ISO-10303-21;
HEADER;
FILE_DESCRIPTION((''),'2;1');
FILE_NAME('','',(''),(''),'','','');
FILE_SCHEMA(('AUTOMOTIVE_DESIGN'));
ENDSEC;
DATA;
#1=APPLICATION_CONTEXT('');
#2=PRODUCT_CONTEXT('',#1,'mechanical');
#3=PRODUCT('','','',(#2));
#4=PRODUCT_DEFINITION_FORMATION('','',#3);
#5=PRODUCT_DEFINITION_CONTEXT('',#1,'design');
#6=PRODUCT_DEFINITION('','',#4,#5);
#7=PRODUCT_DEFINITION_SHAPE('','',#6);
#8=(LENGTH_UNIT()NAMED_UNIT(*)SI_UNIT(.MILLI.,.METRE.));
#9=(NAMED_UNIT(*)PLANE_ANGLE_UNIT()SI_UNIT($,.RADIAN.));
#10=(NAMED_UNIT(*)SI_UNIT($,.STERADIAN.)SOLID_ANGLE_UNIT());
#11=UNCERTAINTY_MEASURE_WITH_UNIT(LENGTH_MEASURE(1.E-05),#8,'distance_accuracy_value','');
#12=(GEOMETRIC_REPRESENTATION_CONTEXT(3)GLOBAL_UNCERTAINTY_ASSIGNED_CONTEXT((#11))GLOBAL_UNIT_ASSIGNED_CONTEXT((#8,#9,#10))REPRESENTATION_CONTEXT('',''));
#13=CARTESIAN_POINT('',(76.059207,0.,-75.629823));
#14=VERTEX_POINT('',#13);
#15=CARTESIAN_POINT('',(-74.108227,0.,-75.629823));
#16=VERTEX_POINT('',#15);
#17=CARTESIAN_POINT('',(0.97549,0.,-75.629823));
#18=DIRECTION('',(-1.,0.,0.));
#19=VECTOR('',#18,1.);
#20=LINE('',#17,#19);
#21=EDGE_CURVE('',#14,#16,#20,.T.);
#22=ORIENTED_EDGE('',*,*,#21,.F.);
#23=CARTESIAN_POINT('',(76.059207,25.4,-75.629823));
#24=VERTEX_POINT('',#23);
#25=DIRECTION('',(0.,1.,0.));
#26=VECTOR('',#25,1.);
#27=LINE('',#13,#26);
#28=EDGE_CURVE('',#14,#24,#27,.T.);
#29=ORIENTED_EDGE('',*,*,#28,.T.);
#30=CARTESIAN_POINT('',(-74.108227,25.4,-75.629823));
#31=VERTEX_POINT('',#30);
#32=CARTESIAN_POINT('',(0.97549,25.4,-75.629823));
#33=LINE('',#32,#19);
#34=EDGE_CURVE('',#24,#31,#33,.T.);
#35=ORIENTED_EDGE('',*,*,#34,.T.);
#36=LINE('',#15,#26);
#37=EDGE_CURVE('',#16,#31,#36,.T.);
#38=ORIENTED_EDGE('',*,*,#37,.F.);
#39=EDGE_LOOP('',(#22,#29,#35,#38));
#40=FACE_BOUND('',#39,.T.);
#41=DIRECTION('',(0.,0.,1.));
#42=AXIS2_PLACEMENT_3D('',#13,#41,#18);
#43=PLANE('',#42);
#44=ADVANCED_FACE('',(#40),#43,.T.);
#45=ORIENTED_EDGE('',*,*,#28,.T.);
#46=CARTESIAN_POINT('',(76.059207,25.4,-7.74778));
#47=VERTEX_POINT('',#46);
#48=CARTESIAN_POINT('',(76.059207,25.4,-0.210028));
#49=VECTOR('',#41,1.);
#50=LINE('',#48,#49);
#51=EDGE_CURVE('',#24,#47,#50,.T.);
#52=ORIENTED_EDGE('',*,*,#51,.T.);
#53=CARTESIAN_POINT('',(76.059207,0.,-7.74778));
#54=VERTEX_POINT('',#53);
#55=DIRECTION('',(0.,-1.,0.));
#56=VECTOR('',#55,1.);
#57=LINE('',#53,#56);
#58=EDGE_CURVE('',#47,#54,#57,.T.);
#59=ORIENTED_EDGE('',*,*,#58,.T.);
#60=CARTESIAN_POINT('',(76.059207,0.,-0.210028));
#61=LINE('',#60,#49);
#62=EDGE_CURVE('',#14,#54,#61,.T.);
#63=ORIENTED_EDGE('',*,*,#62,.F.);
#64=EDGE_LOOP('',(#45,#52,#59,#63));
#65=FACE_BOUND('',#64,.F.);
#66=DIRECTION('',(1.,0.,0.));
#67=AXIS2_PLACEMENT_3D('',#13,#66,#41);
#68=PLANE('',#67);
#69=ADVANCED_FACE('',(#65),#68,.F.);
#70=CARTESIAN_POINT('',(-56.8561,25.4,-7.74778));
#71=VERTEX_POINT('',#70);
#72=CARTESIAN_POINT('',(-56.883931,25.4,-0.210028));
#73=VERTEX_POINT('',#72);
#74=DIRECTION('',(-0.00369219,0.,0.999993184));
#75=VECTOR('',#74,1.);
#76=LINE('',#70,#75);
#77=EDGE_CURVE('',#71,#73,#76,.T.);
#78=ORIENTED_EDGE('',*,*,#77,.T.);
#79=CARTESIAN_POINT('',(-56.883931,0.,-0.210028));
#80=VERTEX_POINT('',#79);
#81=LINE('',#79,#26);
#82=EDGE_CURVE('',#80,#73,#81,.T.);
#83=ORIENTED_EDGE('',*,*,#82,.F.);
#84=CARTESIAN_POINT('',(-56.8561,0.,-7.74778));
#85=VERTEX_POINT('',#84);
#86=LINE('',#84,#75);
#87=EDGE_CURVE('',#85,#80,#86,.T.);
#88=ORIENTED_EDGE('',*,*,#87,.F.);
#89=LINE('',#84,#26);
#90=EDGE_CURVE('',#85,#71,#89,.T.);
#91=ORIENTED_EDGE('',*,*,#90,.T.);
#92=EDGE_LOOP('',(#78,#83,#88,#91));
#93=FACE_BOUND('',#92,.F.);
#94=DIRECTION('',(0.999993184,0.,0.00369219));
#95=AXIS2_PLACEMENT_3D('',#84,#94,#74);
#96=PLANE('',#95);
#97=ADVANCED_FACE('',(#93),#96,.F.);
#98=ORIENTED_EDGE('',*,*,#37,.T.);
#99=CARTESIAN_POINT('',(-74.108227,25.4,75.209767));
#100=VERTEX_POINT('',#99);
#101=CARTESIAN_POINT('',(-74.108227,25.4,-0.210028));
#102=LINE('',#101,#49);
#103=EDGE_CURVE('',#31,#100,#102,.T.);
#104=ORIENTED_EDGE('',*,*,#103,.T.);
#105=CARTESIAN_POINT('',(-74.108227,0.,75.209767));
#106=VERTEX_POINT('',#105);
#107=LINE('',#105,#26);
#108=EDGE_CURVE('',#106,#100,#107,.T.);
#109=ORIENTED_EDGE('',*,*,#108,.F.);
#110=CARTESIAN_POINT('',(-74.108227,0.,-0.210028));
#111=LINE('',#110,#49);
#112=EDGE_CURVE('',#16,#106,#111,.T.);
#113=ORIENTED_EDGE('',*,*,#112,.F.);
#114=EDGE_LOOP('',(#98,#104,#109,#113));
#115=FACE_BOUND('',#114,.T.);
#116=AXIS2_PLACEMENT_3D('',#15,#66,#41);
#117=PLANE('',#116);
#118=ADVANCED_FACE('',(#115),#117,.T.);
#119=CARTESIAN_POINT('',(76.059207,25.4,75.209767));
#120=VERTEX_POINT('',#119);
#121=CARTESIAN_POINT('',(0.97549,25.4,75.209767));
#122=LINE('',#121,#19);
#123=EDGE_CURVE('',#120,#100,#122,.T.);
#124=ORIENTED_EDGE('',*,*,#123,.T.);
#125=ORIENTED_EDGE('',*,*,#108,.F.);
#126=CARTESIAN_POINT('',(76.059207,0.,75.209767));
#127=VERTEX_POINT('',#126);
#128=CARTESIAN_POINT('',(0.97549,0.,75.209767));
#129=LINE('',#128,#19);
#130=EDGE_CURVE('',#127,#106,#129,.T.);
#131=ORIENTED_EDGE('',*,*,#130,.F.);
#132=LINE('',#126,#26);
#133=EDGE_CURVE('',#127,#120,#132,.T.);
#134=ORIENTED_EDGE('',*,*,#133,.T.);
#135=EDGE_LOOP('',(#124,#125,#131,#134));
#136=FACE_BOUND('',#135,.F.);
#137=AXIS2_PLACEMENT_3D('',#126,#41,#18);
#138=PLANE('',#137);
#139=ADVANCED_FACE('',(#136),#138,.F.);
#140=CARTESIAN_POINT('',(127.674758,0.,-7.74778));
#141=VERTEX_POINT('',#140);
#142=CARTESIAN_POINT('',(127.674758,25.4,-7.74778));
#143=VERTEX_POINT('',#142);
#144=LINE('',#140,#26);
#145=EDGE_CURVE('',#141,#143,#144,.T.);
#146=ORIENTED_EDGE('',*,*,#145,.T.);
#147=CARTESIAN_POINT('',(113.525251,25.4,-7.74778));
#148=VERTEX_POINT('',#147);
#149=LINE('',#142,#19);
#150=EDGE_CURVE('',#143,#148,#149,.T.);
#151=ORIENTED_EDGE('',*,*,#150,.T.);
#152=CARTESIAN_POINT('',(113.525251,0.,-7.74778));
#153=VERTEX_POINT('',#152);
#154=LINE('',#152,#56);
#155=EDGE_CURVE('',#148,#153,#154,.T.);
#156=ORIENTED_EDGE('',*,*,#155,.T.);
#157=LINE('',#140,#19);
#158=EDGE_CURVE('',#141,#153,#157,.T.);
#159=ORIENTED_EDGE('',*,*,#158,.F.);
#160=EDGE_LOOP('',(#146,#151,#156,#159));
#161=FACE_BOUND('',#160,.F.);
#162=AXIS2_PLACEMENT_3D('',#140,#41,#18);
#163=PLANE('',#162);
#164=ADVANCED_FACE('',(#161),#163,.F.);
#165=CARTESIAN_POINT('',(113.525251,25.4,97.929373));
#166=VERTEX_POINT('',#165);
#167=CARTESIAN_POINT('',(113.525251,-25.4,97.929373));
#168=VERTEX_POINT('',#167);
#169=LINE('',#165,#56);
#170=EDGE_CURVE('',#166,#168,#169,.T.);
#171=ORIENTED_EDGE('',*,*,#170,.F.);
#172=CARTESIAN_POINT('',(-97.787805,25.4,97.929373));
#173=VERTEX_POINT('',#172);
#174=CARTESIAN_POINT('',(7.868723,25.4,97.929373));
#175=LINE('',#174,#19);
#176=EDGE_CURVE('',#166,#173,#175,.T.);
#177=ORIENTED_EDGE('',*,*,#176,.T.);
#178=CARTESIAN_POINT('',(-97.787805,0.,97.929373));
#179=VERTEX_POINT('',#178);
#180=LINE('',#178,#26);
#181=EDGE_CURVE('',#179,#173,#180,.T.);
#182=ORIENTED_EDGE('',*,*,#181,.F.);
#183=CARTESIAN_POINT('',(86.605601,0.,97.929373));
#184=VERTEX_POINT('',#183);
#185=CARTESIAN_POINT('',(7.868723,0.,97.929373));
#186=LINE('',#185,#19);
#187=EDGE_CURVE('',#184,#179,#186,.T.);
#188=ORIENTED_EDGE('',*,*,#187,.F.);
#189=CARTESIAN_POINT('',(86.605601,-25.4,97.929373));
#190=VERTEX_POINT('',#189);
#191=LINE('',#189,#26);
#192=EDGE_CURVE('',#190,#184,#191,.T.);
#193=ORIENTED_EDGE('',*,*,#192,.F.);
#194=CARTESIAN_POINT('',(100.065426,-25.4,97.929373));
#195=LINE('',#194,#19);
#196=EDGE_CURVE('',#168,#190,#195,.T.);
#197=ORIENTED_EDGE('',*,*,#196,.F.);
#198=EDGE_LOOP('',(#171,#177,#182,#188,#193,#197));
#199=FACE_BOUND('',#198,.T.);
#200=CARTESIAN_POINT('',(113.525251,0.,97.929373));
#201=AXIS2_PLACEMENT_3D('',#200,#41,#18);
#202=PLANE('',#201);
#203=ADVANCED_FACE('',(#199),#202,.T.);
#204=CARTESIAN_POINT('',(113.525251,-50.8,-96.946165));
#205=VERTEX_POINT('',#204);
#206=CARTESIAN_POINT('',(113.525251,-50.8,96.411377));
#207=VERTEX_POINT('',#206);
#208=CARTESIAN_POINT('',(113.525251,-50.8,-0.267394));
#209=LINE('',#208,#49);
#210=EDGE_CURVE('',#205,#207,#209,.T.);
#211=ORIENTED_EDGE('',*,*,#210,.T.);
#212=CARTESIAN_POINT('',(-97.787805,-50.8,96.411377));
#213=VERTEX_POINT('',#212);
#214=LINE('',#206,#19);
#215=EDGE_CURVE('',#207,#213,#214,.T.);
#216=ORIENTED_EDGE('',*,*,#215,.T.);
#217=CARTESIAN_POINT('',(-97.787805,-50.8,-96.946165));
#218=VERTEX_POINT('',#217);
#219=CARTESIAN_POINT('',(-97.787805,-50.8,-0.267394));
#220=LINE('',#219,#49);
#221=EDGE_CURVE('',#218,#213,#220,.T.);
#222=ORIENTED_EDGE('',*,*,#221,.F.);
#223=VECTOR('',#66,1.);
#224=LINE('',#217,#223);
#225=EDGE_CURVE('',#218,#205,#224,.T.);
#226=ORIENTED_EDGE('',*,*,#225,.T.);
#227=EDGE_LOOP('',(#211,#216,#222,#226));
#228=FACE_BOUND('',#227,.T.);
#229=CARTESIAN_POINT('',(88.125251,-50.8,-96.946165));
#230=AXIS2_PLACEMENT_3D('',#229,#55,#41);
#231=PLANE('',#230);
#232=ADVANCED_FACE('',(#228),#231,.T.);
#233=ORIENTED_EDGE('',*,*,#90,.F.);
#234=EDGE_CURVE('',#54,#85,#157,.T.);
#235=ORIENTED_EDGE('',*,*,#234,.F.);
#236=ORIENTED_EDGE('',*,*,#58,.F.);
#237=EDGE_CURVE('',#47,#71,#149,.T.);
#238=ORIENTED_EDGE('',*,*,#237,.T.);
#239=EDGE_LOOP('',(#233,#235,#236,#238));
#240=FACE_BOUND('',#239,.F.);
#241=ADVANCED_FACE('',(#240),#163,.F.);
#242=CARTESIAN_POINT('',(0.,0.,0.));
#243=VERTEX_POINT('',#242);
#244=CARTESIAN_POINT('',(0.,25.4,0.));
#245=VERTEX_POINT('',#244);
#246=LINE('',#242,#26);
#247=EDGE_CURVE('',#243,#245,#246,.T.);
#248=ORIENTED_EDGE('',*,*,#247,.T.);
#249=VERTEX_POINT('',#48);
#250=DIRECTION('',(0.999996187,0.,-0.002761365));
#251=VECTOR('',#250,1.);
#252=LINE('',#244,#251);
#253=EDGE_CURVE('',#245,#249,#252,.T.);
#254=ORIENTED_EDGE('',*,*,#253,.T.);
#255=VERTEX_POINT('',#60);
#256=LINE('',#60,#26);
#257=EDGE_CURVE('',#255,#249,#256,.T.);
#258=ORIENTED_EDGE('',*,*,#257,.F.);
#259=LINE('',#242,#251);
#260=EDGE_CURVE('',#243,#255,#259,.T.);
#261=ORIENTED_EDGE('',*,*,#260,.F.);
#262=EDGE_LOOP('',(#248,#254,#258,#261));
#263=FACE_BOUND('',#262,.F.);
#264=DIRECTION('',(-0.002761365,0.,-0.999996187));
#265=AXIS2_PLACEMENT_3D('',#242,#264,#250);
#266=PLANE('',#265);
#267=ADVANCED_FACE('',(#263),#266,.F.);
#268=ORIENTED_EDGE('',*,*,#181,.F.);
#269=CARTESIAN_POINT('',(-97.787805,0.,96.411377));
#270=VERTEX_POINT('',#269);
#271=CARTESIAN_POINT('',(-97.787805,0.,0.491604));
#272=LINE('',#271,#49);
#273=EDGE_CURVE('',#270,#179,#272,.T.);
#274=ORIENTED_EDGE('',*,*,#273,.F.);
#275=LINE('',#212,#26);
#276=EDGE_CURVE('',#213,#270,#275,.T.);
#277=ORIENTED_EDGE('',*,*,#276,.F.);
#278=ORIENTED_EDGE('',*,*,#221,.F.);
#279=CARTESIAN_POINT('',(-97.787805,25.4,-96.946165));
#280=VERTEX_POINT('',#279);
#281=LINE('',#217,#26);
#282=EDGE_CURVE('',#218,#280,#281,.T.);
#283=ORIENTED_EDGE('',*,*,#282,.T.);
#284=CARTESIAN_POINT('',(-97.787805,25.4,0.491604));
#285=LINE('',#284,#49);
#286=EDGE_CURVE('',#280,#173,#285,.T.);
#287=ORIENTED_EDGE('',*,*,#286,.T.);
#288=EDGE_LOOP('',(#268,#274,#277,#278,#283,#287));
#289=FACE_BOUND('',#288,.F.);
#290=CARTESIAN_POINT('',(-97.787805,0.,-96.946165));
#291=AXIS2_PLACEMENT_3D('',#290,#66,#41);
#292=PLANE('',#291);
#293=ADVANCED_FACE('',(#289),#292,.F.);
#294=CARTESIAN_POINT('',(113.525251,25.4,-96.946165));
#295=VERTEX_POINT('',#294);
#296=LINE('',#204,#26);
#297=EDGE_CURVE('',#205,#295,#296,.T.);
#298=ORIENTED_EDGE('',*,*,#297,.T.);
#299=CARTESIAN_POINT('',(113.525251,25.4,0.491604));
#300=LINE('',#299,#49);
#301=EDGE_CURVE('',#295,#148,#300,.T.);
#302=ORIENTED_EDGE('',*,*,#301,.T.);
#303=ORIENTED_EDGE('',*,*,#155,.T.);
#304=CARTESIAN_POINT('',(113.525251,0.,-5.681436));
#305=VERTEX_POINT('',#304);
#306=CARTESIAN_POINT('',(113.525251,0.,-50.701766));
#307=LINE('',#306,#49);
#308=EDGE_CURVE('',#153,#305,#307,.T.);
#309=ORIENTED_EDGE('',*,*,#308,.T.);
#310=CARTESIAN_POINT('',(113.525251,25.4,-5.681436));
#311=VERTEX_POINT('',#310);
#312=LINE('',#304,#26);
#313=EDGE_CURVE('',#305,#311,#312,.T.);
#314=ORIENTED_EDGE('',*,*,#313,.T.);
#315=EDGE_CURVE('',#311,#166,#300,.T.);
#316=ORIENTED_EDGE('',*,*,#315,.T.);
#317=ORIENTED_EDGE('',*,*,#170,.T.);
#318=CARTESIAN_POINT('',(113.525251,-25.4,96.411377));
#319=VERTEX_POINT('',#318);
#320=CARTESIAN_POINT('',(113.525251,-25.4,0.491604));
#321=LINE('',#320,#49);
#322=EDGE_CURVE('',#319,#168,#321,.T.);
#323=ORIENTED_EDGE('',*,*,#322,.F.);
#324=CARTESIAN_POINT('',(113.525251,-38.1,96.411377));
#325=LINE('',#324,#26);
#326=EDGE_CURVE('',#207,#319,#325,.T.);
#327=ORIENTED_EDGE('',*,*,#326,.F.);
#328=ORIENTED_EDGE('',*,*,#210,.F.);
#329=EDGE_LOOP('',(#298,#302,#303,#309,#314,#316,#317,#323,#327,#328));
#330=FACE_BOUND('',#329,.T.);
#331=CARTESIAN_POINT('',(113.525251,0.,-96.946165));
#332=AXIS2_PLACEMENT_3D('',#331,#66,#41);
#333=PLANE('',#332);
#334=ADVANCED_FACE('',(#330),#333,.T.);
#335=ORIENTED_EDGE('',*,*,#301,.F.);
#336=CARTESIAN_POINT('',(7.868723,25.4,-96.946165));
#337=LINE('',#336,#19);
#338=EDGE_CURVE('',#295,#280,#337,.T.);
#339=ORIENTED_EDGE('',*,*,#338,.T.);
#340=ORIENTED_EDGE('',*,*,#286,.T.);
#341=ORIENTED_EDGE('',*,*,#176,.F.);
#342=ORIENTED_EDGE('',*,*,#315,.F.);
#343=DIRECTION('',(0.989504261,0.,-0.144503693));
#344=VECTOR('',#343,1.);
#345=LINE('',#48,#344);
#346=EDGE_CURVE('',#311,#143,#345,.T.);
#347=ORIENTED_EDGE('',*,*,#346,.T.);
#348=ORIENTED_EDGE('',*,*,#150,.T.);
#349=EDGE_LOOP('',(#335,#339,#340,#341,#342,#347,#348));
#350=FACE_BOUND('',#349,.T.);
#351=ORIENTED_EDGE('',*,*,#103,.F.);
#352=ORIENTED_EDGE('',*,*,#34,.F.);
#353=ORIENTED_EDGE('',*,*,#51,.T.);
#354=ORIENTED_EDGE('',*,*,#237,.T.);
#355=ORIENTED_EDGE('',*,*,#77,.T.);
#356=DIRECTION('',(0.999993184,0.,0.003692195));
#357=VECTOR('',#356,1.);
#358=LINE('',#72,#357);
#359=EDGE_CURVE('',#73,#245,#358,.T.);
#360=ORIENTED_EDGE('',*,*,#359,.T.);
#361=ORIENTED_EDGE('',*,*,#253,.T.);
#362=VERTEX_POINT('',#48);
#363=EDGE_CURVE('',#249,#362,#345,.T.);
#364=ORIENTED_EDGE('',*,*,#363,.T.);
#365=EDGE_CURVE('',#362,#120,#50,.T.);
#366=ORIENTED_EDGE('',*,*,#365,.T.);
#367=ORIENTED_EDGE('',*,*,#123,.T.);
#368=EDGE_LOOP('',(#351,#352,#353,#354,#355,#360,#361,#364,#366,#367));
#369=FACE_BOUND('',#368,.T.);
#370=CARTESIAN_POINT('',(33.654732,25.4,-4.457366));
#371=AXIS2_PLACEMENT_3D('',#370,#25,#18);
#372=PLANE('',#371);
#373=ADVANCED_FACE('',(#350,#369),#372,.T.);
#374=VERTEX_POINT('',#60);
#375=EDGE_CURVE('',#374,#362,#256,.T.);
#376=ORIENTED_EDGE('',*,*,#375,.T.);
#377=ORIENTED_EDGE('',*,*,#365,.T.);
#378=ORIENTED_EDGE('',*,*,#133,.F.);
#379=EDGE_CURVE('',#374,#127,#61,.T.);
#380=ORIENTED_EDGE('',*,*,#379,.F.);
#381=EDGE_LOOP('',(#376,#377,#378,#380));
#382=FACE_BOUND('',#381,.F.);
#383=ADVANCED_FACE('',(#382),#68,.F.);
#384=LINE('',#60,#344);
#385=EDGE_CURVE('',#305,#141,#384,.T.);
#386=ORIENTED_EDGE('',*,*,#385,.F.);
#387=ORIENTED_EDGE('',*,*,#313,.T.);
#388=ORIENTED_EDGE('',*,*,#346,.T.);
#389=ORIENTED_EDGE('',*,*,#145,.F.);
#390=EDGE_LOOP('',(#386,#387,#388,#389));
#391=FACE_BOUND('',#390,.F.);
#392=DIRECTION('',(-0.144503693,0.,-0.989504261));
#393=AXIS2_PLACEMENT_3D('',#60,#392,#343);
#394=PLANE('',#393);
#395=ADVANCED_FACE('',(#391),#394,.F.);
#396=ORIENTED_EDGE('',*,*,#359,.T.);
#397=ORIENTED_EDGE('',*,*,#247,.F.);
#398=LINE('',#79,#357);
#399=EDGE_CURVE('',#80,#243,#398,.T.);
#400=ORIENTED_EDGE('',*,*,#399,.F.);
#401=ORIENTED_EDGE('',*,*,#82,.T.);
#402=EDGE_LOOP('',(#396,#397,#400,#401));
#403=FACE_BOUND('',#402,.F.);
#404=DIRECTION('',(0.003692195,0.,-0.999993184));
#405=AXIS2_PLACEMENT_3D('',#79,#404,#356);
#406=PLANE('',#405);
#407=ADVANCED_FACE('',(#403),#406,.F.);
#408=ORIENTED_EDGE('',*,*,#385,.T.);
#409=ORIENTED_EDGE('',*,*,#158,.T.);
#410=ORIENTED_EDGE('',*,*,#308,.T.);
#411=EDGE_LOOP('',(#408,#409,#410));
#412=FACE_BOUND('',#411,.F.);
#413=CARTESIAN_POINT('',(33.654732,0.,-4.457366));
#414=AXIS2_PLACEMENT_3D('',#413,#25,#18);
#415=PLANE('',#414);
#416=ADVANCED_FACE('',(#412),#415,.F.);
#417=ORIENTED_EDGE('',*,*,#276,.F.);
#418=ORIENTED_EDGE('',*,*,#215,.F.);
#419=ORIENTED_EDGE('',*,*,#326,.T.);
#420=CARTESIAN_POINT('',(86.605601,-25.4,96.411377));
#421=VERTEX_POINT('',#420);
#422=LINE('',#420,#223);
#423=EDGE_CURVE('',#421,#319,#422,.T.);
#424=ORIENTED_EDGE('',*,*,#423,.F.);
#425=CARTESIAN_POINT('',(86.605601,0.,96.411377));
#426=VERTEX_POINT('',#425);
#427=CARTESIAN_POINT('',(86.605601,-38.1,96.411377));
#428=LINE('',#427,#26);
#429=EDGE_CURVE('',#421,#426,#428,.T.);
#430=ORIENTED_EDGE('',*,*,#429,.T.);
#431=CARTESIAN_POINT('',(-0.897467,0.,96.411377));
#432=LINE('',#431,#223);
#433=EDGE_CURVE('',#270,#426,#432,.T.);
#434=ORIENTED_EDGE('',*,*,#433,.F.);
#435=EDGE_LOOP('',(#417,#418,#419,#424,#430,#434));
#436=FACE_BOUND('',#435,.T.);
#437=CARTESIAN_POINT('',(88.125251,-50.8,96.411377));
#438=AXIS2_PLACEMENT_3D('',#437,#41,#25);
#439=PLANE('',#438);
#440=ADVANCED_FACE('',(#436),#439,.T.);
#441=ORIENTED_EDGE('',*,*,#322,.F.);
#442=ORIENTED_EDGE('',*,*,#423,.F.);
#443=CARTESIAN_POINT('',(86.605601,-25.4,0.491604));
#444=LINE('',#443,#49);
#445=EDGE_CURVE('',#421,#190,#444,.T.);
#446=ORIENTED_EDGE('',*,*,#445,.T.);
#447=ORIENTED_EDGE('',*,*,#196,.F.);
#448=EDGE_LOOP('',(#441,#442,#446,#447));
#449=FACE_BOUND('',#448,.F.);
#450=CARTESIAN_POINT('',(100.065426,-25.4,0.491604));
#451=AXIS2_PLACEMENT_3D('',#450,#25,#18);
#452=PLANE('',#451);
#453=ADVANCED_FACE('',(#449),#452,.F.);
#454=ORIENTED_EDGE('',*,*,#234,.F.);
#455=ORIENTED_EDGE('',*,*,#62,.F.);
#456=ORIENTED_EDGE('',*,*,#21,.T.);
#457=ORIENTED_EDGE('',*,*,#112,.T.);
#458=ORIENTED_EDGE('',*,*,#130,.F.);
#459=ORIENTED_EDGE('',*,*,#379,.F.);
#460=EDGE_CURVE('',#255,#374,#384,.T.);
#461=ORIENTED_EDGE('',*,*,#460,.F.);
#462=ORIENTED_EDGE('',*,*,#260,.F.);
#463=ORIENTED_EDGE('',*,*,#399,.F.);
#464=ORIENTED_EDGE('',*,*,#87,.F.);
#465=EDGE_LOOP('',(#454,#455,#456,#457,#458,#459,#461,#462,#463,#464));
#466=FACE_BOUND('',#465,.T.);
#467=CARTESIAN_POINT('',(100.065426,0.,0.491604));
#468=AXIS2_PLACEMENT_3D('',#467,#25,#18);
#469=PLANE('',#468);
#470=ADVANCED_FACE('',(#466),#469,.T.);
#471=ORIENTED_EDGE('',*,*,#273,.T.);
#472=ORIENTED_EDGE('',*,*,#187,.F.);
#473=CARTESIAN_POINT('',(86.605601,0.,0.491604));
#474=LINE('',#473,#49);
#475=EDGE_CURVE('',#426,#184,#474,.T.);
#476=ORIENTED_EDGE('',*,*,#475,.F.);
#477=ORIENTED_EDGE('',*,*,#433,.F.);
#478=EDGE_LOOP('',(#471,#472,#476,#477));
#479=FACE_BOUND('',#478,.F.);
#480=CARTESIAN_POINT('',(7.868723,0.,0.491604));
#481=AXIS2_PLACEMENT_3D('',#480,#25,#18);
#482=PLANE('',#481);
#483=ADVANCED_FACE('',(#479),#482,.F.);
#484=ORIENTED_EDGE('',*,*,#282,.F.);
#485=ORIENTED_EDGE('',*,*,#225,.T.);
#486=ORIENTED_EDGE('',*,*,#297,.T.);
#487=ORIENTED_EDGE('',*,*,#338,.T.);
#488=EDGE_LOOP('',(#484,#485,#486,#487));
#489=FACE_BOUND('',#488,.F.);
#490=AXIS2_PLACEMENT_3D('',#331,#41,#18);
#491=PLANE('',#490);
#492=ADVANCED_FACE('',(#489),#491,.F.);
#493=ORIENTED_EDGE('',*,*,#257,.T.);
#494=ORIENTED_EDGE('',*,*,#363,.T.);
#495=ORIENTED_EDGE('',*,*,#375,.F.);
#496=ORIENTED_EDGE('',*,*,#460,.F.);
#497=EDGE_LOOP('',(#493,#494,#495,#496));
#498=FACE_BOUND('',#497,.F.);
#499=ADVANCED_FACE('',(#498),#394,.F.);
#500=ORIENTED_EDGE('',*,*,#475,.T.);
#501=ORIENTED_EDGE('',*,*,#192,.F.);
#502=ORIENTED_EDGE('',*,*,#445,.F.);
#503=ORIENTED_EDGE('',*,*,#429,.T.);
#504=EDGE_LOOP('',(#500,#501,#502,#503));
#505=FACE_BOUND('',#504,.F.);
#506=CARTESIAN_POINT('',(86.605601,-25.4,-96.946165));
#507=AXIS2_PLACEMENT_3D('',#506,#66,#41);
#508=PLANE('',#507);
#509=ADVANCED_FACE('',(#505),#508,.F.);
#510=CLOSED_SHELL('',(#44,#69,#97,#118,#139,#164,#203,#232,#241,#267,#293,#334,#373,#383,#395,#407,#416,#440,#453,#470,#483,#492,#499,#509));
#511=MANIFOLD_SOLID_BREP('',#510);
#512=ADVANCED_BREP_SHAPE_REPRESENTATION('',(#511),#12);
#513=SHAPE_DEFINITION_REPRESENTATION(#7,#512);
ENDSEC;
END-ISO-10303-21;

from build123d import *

# Parameters (mm, degrees)
F0_W      = 193.780676
F0_H      = 193.357542
F1_DEPTH  = 25.4
F2_W      = 185.913056
F2_H      = 193.357542
F3_DEPTH  = 25.4
F4_W      = 25.4
F4_H      = 193.357542
F5_DEPTH  = 25.4
F6_W      = 26.91965
F6_H      = 194.875538
F7_DEPTH  = 25.4
F8_W      = 211.313056
F8_H      = 194.875538
F8_W_2    = 150.167435
F8_H_2    = 150.83959
F9_DEPTH  = 25.4
F11_DEPTH = 25.4


with BuildPart() as f1:
    # F0 (on Front) → F1 (new body)
    with BuildSketch(Plane.XZ):
        with Locations((-0.897467, -0.267394)):
            Rectangle(F0_W, F0_H)
    extrude(amount=F1_DEPTH)

    # F2 (on face) → F3 (join)
    with BuildSketch(Plane.XZ.offset(25.4)):
        with Locations((-4.831277, -0.267394)):
            Rectangle(F2_W, F2_H)
    extrude(amount=F3_DEPTH)

    # F4 (on face) → F5 (join)
    with BuildSketch(Plane.YZ.offset(88.125251)):
        with Locations((-38.1, -0.267394)):
            Rectangle(F4_W, F4_H)
    extrude(amount=F5_DEPTH)

    # F6 (on face) → F7 (join)
    with BuildSketch(Plane(origin=(0, -25.4, 0), x_dir=(-1, 0, 0), z_dir=(0, 1, 0))):
        with Locations((-100.065426, 0.491604)):
            Rectangle(F6_W, F6_H)
    extrude(amount=F7_DEPTH)

    # F8 (on face) → F9 (join)
    with BuildSketch(Plane(origin=(0, 0, 0), x_dir=(-1, 0, 0), z_dir=(0, 1, 0))):
        with Locations((-7.868723, 0.491604)):
            Rectangle(F8_W, F8_H)
        with Locations((-0.97549, -0.210028)):
            Rectangle(F8_W_2, F8_H_2, mode=Mode.SUBTRACT)
    extrude(amount=F9_DEPTH)

    # F10 (on face) → F11 (join)
    with BuildSketch(Plane(origin=(0, 0, 0), x_dir=(-1, 0, 0), z_dir=(0, 1, 0))):
        Polygon((56.883931, -0.210028), (0, 0), (-76.059207, -0.210028), (-127.674758, -7.74778), (56.8561, -7.74778), align=None)
    extrude(amount=F11_DEPTH)


solid = f1.part
